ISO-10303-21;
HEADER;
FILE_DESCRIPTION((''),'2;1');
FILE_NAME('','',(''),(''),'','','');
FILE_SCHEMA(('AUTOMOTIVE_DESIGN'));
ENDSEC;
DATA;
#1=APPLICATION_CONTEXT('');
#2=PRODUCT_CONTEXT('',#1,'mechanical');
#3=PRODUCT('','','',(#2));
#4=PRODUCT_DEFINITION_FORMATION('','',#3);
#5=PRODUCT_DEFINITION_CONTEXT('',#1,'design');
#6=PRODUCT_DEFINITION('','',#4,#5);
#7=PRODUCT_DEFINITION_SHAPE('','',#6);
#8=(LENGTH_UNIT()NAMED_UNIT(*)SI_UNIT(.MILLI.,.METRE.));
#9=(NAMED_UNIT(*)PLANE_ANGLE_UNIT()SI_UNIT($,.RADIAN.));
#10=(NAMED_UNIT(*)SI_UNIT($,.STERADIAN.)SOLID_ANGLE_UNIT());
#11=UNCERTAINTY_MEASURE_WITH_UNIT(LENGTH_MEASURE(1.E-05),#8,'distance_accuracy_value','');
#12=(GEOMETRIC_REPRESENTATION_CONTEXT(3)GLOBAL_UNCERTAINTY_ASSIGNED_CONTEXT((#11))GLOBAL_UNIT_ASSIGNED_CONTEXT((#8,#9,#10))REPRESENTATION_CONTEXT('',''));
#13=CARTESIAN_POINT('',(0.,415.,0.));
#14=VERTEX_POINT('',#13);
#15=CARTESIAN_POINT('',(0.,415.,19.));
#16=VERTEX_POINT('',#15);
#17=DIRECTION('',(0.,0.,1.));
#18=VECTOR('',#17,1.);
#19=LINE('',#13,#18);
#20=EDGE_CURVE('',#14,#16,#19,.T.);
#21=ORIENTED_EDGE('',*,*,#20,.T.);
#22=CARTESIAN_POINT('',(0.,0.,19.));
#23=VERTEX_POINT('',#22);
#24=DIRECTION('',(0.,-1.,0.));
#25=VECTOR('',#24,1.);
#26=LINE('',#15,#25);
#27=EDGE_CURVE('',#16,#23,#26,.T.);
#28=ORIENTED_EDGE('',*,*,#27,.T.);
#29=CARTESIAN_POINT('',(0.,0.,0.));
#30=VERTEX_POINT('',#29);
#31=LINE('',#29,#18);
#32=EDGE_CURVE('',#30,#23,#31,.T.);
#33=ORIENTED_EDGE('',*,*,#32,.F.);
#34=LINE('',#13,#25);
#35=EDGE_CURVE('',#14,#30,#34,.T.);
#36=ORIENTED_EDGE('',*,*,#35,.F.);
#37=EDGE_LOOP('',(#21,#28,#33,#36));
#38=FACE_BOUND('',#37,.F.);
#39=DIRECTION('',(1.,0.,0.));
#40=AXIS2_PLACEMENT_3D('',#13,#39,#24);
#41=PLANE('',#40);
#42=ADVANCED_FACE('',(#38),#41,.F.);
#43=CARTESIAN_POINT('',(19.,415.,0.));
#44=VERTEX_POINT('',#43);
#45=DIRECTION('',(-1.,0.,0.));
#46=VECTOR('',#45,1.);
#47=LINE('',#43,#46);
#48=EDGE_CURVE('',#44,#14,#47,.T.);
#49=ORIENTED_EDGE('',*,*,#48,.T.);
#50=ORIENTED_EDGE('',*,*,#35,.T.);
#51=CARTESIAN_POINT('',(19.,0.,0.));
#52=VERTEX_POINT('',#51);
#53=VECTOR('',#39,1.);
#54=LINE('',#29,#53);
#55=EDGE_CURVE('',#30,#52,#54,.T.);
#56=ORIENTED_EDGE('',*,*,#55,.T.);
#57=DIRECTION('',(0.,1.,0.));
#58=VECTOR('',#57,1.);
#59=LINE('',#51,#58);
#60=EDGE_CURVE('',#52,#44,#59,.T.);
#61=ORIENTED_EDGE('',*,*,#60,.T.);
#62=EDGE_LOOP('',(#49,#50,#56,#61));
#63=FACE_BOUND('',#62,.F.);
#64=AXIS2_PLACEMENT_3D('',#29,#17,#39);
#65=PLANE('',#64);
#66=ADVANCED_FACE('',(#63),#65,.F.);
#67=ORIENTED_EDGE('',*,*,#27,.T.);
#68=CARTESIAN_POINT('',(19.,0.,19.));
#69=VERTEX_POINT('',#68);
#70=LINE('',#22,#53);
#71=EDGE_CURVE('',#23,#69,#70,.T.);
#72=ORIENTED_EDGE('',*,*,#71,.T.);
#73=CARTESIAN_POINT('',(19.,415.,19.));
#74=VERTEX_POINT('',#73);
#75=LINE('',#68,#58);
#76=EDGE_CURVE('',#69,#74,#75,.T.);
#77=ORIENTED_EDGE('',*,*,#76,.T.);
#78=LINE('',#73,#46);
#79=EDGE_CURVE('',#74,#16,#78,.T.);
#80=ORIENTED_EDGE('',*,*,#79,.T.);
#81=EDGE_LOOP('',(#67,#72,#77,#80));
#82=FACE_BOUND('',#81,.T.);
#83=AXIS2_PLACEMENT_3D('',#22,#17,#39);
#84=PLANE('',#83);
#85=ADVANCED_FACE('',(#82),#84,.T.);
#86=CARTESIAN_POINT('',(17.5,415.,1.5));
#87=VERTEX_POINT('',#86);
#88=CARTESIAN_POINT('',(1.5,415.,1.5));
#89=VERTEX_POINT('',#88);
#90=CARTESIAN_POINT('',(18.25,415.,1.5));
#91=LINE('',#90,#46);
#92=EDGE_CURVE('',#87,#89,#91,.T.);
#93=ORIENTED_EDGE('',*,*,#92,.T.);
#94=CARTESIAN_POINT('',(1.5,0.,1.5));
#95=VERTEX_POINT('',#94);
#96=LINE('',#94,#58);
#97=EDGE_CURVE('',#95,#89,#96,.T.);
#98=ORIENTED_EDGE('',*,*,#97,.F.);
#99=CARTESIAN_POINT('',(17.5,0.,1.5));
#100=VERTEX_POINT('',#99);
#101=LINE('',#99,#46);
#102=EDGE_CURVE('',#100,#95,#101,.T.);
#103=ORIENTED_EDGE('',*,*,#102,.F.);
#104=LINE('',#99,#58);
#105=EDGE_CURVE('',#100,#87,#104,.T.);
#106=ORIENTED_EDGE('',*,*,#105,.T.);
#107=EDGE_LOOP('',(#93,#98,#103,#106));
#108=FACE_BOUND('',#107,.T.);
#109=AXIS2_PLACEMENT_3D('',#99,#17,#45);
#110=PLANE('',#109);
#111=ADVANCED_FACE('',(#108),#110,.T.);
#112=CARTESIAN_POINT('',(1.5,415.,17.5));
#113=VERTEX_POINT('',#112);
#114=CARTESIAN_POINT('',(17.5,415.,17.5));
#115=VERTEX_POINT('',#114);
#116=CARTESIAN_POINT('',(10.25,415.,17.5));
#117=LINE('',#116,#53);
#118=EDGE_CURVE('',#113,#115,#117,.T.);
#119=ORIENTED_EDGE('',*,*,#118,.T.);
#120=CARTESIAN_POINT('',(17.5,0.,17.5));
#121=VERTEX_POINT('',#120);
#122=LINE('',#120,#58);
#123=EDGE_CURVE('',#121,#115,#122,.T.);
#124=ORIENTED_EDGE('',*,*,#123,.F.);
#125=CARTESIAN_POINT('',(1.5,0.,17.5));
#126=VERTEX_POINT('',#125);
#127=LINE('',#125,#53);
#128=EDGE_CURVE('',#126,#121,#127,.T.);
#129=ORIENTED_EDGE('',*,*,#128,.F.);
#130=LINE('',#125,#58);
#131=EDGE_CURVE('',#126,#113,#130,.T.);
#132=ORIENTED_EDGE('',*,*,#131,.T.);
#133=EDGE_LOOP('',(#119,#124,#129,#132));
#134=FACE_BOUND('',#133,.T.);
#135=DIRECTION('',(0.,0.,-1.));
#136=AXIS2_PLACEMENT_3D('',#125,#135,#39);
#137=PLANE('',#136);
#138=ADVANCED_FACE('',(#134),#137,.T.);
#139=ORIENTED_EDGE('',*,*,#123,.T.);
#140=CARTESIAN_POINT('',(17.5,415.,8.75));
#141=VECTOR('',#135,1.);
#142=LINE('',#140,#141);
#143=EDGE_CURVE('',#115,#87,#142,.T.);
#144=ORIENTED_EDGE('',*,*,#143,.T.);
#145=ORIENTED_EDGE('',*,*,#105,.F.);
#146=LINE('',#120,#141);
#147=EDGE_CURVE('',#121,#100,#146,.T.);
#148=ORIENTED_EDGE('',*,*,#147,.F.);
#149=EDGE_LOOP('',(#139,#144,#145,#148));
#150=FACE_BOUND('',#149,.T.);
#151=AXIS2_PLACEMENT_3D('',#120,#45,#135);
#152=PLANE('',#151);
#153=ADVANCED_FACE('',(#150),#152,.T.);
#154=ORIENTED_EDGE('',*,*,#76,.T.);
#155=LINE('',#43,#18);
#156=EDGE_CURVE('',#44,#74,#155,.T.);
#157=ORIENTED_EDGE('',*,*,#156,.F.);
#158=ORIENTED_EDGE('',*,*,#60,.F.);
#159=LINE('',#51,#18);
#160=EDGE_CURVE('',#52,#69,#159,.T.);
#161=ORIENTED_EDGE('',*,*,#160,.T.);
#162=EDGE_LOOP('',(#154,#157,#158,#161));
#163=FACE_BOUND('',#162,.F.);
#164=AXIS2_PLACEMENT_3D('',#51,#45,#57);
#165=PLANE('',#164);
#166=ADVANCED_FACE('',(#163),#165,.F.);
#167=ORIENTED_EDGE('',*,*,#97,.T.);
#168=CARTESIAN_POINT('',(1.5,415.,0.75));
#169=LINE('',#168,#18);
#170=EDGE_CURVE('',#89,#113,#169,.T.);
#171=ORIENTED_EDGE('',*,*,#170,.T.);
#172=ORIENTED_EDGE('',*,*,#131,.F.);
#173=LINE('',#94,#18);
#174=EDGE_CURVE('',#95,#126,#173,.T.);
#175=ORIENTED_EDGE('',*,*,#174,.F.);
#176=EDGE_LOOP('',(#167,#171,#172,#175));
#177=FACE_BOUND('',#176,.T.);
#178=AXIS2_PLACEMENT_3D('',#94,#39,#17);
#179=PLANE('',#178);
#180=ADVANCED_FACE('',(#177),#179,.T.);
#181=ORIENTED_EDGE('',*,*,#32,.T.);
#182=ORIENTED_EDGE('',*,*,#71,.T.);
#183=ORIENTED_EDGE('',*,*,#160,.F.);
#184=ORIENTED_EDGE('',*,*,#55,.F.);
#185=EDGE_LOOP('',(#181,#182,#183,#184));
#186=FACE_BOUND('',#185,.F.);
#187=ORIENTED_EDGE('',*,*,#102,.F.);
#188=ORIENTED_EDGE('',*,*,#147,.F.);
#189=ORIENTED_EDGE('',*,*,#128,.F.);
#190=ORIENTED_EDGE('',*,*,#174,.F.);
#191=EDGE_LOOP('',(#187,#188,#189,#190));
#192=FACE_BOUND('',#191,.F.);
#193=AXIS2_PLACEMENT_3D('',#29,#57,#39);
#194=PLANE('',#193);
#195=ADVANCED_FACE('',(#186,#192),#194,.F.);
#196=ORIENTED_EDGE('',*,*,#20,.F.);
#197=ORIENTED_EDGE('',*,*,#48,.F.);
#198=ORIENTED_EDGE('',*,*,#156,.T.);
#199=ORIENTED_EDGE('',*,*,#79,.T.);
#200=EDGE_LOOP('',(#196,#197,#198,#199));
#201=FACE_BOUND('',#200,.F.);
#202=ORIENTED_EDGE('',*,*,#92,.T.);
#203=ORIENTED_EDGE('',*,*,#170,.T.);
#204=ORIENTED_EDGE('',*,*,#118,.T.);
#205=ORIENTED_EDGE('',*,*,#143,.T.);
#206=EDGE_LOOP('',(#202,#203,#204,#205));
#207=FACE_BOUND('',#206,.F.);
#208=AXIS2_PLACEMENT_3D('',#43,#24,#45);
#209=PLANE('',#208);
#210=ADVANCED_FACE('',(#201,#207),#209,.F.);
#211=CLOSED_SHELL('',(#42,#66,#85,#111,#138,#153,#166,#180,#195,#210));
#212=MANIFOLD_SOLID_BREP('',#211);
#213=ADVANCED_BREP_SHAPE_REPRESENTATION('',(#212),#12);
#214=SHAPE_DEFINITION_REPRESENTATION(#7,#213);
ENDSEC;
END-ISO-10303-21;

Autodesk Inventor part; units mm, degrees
ref_plane "YZ Plane" through (0, 0, 0) normal (1, 0, 0) x (0, 1, 0)
ref_plane "XZ Plane" through (0, 0, 0) normal (0, 1, 0) x (-1, 0, 0)
ref_plane "XY Plane" through (0, 0, 0) normal (0, 0, 1) x (1, 0, 0)
sketch "Sketch1" plane through (0, 0, 0) normal (0, 0, 1) x (1, 0, 0)
  line L0 (0, 0) -> (19, 0)
  line L1 (19, 0) -> (19, 415)
  line L2 (19, 415) -> (0, 415)
  line L3 (0, 415) -> (0, 0)
  dimension "d0" = 19
  dimension "d1" = 415
extrude "Extrusion1" add sketch "Sketch1" along normal blind 19
sketch "Sketch2" plane through (0, 0, 0) normal (0, -1, 0) x (1, 0, 0)
  line L0 (0, 0) -> (19, 0) projected
  line L1 (19, 0) -> (19, 19) projected
  line L2 (0, 19) -> (19, 19) projected
  line L3 (0, 0) -> (0, 19) projected
  line L4 (17.5, 17.5) -> (17.5, 1.5)
  line L5 (17.5, 1.5) -> (1.5, 1.5)
  line L6 (1.5, 1.5) -> (1.5, 17.5)
  line L7 (1.5, 17.5) -> (17.5, 17.5)
  dimension "d4" = 1.5
extrude "Extrusion2" cut sketch "Sketch2" against normal through all contours L4 L5 L6 L7
properties part number "C008" material "Aluminum 6061"
